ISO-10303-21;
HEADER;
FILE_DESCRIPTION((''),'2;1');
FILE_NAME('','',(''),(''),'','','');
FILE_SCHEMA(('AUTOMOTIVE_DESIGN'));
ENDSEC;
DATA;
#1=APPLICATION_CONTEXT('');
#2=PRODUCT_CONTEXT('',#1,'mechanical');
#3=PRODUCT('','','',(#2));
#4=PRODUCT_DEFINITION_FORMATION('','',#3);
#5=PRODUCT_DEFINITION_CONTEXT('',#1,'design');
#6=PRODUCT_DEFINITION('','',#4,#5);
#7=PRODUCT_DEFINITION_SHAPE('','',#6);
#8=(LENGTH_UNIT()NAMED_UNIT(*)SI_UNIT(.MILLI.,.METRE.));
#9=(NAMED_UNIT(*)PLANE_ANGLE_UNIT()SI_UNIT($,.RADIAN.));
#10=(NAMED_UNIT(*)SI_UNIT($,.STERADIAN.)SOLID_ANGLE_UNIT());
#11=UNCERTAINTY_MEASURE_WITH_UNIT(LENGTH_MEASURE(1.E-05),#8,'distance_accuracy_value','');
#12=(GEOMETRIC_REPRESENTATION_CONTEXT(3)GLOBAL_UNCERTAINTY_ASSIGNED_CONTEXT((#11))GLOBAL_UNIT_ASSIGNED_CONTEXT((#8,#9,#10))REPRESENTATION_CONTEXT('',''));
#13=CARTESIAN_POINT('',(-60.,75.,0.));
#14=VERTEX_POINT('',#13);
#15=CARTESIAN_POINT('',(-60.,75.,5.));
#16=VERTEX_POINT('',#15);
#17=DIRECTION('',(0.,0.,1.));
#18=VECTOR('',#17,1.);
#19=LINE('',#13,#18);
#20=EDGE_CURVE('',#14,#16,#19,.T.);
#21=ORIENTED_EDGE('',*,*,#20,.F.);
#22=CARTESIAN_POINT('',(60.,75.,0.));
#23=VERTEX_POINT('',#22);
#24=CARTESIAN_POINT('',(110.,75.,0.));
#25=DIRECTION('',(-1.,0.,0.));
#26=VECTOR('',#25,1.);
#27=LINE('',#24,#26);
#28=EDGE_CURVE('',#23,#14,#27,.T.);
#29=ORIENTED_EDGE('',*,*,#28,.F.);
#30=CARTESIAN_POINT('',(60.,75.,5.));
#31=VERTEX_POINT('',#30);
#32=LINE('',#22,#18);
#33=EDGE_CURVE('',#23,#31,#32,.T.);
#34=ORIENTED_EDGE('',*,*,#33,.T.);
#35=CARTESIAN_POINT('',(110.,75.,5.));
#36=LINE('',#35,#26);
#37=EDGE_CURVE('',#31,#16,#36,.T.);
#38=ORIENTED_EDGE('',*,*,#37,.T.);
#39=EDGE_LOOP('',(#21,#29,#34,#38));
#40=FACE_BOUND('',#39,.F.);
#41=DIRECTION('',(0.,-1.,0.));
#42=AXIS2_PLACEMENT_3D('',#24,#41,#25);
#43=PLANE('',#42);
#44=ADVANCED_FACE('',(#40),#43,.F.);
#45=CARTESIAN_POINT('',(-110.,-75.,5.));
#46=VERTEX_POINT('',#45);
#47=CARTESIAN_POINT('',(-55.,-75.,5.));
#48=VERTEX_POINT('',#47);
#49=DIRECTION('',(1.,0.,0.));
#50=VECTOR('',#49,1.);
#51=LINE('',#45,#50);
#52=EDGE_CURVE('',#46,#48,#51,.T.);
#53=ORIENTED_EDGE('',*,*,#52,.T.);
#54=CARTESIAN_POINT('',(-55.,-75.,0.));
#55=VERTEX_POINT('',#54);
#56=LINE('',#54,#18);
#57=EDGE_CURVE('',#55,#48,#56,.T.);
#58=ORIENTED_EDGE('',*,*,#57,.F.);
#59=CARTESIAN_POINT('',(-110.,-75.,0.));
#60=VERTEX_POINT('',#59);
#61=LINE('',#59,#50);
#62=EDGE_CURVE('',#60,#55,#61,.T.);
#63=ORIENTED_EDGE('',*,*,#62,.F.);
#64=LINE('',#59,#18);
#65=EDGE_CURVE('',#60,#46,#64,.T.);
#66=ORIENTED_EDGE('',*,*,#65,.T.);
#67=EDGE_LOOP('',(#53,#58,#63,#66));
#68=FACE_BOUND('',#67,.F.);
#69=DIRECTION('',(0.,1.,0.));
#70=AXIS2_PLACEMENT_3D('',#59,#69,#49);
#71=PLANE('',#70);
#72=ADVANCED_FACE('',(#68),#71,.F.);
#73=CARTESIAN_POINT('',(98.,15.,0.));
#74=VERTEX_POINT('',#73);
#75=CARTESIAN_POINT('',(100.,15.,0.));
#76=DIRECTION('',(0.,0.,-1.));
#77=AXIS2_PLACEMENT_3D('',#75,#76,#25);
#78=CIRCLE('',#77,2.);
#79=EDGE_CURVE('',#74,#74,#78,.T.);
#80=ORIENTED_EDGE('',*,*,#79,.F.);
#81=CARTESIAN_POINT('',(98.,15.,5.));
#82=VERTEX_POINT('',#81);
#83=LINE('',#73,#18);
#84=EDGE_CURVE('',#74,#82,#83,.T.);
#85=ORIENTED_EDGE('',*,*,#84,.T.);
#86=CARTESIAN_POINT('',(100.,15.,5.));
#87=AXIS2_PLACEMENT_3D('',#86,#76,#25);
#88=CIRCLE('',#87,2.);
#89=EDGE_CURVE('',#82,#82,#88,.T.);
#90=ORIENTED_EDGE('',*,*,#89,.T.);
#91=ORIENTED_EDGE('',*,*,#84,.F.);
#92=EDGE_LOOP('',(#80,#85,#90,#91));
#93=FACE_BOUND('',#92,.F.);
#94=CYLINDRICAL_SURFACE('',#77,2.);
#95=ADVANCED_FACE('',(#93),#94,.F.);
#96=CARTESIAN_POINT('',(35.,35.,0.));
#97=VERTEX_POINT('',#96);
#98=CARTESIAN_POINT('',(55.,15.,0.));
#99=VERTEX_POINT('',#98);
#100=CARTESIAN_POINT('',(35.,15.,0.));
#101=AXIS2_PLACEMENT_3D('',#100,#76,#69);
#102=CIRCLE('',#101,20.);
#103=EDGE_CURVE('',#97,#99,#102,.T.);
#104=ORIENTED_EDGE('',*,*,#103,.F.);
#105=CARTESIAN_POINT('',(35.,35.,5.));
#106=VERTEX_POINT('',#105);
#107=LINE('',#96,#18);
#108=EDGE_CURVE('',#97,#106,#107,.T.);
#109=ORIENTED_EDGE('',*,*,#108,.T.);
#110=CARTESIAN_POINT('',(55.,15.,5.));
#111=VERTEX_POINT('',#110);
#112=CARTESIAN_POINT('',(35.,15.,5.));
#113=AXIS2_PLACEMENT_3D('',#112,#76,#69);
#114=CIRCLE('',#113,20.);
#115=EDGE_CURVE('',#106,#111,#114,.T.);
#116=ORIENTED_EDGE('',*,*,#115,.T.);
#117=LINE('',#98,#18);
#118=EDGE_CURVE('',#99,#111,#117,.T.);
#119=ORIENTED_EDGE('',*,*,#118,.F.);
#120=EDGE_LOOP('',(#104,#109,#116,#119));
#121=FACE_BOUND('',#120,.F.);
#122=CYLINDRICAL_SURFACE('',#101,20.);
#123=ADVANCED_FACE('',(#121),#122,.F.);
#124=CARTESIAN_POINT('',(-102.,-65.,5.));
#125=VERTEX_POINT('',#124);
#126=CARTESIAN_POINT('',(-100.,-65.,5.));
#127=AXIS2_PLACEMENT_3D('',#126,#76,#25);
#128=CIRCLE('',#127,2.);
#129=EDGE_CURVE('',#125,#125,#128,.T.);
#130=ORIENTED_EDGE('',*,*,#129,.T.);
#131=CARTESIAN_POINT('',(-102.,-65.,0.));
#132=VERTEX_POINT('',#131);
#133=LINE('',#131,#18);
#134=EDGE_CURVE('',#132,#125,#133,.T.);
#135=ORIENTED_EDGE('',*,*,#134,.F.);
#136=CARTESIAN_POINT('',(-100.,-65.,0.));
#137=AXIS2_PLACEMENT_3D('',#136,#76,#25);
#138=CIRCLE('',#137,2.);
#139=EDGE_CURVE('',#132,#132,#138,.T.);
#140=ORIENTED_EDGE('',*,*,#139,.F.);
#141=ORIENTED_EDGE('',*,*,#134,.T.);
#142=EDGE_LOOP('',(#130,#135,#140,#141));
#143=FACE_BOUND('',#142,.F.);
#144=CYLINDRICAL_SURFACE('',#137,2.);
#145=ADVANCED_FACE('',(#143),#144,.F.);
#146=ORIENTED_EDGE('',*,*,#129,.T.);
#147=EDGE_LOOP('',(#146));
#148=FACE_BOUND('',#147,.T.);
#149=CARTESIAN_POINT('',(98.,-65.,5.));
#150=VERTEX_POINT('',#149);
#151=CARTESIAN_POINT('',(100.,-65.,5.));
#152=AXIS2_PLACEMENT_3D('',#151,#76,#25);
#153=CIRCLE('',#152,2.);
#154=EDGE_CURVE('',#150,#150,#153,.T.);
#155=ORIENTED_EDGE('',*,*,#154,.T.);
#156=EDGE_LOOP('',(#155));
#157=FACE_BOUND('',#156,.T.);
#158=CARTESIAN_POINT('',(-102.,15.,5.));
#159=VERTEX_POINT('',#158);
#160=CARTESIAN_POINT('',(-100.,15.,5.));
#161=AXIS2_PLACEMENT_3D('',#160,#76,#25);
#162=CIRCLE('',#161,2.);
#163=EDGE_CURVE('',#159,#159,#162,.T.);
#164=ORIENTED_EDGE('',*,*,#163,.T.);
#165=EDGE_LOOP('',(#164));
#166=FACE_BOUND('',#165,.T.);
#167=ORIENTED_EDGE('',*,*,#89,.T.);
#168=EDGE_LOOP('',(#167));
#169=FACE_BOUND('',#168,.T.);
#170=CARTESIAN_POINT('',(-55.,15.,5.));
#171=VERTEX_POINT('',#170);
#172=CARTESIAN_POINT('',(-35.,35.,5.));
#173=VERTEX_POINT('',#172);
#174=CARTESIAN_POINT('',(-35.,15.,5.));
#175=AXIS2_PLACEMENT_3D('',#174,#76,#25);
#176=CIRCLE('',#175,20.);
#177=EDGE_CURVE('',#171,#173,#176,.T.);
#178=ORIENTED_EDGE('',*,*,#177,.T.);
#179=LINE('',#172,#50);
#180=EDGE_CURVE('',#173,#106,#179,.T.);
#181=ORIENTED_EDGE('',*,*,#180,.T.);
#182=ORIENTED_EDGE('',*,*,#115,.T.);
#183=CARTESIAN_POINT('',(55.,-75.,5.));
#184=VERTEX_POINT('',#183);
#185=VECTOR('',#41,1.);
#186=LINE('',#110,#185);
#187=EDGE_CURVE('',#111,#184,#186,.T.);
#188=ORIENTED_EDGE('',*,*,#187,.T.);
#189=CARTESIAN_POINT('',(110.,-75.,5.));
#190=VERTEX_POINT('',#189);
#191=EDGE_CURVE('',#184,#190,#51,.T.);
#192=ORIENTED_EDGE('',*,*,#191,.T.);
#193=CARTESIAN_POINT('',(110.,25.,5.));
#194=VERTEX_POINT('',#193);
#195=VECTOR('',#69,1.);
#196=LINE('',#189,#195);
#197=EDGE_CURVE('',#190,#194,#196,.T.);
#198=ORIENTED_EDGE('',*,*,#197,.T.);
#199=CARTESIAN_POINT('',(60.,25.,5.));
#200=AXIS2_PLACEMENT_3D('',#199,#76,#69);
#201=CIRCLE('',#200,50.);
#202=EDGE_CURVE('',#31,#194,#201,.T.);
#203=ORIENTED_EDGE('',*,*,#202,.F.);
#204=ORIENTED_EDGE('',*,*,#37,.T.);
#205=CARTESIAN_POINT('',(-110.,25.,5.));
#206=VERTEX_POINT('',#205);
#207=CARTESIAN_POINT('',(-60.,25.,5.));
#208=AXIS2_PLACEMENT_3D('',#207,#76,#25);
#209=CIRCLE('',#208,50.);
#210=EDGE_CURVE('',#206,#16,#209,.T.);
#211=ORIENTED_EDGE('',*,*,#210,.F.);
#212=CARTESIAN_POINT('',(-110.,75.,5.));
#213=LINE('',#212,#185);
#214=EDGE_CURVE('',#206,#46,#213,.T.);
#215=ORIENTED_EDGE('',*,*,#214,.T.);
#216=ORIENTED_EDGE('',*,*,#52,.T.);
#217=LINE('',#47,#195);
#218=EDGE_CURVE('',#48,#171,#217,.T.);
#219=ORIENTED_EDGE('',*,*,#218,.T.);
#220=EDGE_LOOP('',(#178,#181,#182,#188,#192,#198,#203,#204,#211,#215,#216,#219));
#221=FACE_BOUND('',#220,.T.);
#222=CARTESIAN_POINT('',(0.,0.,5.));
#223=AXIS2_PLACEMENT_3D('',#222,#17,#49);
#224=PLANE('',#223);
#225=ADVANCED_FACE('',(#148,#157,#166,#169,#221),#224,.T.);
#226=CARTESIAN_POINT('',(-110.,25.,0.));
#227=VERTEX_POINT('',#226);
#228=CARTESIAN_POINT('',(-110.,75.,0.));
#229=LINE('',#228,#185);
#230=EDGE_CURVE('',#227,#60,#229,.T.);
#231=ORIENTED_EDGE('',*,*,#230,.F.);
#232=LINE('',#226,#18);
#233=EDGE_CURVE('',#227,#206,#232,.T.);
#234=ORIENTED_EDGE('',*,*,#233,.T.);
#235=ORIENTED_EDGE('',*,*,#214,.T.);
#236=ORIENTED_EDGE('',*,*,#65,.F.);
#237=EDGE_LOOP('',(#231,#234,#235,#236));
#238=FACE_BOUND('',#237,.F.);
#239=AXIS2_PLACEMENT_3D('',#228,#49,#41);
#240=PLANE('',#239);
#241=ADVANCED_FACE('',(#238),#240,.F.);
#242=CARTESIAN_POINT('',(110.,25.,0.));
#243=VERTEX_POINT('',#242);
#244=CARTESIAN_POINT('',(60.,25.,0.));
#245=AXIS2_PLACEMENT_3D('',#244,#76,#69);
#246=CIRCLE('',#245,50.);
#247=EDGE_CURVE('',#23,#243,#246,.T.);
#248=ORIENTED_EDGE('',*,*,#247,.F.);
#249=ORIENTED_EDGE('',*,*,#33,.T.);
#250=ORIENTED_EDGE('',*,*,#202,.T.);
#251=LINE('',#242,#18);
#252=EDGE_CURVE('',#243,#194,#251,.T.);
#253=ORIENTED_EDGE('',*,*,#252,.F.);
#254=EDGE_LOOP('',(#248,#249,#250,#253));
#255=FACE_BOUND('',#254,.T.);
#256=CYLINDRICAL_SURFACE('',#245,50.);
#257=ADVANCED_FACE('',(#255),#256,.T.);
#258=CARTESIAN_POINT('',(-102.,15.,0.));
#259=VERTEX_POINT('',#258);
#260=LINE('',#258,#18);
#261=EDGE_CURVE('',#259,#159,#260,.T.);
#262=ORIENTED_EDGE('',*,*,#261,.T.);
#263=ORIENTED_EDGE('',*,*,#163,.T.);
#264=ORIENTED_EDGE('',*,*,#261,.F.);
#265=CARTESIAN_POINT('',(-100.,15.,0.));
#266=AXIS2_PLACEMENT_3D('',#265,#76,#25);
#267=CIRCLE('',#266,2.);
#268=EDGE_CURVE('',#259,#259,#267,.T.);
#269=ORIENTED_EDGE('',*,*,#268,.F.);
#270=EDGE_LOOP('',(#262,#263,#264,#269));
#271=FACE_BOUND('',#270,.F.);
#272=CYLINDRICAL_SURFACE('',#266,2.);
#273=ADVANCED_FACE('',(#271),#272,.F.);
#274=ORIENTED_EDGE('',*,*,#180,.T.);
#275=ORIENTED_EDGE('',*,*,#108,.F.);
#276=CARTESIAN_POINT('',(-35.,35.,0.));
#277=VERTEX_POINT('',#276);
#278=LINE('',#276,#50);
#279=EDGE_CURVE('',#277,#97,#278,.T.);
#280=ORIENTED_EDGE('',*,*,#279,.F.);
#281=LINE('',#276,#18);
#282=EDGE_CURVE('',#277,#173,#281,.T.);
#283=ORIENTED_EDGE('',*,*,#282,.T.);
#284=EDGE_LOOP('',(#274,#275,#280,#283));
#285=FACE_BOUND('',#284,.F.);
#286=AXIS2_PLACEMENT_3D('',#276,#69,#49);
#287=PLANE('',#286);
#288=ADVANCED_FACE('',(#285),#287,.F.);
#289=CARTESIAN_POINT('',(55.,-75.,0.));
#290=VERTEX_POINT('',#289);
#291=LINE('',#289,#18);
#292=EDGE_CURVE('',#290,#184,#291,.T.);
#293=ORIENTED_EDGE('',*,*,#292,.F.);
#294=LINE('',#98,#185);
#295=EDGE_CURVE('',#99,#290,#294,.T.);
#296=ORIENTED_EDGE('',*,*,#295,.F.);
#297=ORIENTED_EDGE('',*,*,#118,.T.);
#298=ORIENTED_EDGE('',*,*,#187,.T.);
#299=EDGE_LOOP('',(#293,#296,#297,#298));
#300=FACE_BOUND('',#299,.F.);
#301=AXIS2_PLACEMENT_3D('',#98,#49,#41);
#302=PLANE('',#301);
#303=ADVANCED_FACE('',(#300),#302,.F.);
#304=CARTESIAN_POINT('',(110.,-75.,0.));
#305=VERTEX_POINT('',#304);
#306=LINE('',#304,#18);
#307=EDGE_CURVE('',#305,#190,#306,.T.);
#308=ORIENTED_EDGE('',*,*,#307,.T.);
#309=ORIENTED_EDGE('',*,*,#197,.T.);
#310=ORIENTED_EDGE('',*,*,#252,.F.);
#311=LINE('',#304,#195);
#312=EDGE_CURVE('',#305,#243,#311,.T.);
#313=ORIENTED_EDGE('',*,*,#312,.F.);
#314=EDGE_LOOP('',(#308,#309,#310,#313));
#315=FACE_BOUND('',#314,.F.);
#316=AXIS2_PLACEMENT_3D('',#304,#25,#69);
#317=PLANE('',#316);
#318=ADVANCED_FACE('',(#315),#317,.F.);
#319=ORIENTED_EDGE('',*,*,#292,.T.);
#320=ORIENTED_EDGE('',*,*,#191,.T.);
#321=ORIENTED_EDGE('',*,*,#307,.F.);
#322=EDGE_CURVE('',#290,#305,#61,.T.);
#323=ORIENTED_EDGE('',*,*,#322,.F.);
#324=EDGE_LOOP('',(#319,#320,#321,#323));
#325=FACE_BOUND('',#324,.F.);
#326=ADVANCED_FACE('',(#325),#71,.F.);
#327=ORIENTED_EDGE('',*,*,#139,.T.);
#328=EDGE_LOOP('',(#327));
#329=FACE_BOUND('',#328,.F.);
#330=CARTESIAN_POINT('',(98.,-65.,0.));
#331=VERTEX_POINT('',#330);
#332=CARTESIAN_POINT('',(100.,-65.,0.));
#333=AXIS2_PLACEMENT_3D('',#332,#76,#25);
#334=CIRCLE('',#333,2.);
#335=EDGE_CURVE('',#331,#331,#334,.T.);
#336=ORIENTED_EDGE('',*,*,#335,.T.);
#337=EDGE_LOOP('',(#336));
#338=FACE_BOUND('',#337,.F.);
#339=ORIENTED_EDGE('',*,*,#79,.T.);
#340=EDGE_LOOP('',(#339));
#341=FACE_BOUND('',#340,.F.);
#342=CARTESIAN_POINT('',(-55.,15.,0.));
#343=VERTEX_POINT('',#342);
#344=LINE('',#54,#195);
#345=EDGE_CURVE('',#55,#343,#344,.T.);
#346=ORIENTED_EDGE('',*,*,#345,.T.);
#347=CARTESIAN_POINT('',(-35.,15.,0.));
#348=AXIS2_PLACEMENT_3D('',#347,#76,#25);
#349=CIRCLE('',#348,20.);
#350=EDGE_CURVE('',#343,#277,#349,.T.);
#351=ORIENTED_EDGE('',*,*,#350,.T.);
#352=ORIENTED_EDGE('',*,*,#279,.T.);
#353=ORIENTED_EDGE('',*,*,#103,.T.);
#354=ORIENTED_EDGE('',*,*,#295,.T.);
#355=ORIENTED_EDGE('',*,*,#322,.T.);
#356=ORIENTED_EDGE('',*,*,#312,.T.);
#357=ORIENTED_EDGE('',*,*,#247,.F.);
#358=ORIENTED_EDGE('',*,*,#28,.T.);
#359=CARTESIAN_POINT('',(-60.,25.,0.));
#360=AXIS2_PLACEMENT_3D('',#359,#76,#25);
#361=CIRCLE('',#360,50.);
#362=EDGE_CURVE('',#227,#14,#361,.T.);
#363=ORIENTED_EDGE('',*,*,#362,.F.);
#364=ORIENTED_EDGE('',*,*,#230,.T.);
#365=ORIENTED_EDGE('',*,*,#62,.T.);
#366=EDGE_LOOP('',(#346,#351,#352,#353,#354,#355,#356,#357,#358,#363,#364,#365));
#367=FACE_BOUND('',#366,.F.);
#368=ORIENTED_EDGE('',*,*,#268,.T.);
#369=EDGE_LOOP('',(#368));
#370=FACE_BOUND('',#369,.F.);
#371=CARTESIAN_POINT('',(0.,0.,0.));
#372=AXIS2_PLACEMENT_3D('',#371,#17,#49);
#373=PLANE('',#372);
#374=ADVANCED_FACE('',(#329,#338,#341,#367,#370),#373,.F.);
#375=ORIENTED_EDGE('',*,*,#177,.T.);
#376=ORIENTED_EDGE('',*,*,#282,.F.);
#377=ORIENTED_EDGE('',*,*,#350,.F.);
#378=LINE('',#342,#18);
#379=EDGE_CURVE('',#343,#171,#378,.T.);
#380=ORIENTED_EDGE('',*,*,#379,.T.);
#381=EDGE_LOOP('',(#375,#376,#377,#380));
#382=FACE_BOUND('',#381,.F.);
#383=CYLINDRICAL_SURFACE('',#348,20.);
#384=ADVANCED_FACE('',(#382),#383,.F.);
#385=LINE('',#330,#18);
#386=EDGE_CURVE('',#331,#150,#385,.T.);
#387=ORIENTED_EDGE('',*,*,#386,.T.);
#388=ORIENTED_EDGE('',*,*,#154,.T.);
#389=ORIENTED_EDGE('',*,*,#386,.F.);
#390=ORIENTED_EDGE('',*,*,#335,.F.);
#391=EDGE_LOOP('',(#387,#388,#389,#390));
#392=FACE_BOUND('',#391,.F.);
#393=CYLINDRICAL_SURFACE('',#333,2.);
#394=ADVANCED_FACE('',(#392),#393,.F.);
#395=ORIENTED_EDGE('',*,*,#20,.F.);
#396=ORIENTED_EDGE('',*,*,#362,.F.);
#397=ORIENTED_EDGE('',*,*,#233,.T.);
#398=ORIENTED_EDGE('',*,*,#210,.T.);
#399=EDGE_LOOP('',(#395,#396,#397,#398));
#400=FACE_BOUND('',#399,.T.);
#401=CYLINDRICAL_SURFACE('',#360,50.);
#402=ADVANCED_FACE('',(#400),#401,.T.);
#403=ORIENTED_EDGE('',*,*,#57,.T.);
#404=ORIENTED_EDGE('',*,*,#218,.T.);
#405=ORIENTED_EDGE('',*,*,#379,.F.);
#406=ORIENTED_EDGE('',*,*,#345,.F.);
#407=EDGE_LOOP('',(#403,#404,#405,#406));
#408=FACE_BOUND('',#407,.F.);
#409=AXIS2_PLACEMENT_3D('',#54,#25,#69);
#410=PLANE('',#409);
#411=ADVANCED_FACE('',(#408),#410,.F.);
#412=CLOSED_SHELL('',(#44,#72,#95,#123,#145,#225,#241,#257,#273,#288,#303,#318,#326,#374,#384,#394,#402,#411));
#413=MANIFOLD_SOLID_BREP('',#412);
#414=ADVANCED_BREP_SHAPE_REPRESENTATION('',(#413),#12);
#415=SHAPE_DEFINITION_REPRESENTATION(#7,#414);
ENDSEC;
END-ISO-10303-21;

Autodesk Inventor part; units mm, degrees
ref_plane "YZ Plane" through (0, 0, 0) normal (1, 0, 0) x (0, 1, 0)
ref_plane "XZ Plane" through (0, 0, 0) normal (0, 1, 0) x (-1, 0, 0)
ref_plane "XY Plane" through (0, 0, 0) normal (0, 0, 1) x (1, 0, 0)
sketch "Sketch1" plane through (0, 0, 0) normal (0, 0, 1) x (1, 0, 0)
  line L0 (-110, -75) -> (110, -75)
  line L1 (110, -75) -> (110, 75)
  line L2 (110, 75) -> (-110, 75)
  line L3 (-110, 75) -> (-110, -75)
  line L4 (-110, -75) -> (110, 75) construction
  line L5 (110, -75) -> (-110, 75) construction
  point P0 (0, 0)
  dimension "d0" = 220
  dimension "d1" = 150
extrude "Extrusion1" add sketch "Sketch1" along normal blind 5
sketch "Sketch2" plane through (0, 0, 0) normal (0, 0, -1) x (-1, 0, 0)
  circle A0 centre (100, 15) radius 2 projected
  circle A1 centre (-100, -65) radius 2 projected
  circle A2 centre (100, -65) radius 2 projected
  circle A3 centre (-100, 15) radius 2 projected
  line L0 (-110, -75) -> (-80, -75) projected
  line L1 (-80, -75) -> (-80, -70) projected
  line L2 (-95, -70) -> (-80, -70) projected
  line L3 (-95, -70) -> (-95, -60) projected
  line L4 (-95, -60) -> (-105, -60) projected
  line L5 (-105, -60) -> (-105, 10) projected
  line L6 (-105, 10) -> (-95, 10) projected
  line L7 (-95, 10) -> (-95, 20) projected
  line L8 (-95, 20) -> (-105, 20) projected
  line L9 (-105, 20) -> (-105, 25) projected
  arc A4 (-60, 70) -> (-105, 25) centre (-60, 25) ccw projected
  line L10 (-60, 70) -> (60, 70) projected
  arc A5 (105, 25) -> (60, 70) centre (60, 25) ccw projected
  line L11 (105, 20) -> (105, 25) projected
  line L12 (105, 20) -> (95, 20) projected
  line L13 (95, 20) -> (95, 10) projected
  line L14 (95, 10) -> (105, 10) projected
  line L15 (105, -60) -> (105, 10) projected
  line L16 (105, -60) -> (95, -60) projected
  line L17 (95, -60) -> (95, -70) projected
  line L18 (80, -70) -> (95, -70) projected
  line L19 (80, -70) -> (80, -75) projected
  line L20 (80, -75) -> (110, -75) projected
  line L21 (110, -75) -> (110, 25) projected
  arc A6 (110, 25) -> (60, 75) centre (60, 25) ccw projected
  line L22 (-60, 75) -> (60, 75) projected
  arc A7 (-60, 75) -> (-110, 25) centre (-60, 25) ccw projected
  line L23 (-110, -75) -> (-110, 25) projected
  line L24 (-110, -75) -> (110, -75)
  line L25 (110, -75) -> (110, 75)
  line L26 (110, 75) -> (-110, 75)
  line L27 (-110, 75) -> (-110, -75)
  line L28 (-110, -75) -> (110, 75) construction
  line L29 (110, -75) -> (-110, 75) construction
  point P0 (0, 0)
  point P1 (-110, 25)
extrude "Extrusion2" cut sketch "Sketch2" against normal blind 5 contours A0 | A1 | A2 | A3 | L27 L26 A7 | L26 L25 A6
sketch "Sketch4" plane through (0, 0, 0) normal (0, 0, -1) x (-1, 0, 0)
  line L0 (-55, -75) -> (55, -75)
  line L1 (55, -75) -> (55, 15)
  line L2 (35, 35) -> (-35, 35)
  line L3 (-55, 15) -> (-55, -75)
  line L4 (110, -75) -> (-110, -75) projected
  arc A0 (-35, 35) -> (-55, 15) centre (-35, 15) ccw
  arc A1 (55, 15) -> (35, 35) centre (35, 15) ccw
  point P0 (0, 0)
  point P1 (55, 35)
  point P2 (-55, 35)
  dimension "d12" = 110
  dimension "d13" = 110
  dimension "d14" = 55
  dimension "d15" = 20
extrude "Extrusion4" cut sketch "Sketch4" against normal blind 5
properties part number "speaker_front" material "ABS Plastic"
